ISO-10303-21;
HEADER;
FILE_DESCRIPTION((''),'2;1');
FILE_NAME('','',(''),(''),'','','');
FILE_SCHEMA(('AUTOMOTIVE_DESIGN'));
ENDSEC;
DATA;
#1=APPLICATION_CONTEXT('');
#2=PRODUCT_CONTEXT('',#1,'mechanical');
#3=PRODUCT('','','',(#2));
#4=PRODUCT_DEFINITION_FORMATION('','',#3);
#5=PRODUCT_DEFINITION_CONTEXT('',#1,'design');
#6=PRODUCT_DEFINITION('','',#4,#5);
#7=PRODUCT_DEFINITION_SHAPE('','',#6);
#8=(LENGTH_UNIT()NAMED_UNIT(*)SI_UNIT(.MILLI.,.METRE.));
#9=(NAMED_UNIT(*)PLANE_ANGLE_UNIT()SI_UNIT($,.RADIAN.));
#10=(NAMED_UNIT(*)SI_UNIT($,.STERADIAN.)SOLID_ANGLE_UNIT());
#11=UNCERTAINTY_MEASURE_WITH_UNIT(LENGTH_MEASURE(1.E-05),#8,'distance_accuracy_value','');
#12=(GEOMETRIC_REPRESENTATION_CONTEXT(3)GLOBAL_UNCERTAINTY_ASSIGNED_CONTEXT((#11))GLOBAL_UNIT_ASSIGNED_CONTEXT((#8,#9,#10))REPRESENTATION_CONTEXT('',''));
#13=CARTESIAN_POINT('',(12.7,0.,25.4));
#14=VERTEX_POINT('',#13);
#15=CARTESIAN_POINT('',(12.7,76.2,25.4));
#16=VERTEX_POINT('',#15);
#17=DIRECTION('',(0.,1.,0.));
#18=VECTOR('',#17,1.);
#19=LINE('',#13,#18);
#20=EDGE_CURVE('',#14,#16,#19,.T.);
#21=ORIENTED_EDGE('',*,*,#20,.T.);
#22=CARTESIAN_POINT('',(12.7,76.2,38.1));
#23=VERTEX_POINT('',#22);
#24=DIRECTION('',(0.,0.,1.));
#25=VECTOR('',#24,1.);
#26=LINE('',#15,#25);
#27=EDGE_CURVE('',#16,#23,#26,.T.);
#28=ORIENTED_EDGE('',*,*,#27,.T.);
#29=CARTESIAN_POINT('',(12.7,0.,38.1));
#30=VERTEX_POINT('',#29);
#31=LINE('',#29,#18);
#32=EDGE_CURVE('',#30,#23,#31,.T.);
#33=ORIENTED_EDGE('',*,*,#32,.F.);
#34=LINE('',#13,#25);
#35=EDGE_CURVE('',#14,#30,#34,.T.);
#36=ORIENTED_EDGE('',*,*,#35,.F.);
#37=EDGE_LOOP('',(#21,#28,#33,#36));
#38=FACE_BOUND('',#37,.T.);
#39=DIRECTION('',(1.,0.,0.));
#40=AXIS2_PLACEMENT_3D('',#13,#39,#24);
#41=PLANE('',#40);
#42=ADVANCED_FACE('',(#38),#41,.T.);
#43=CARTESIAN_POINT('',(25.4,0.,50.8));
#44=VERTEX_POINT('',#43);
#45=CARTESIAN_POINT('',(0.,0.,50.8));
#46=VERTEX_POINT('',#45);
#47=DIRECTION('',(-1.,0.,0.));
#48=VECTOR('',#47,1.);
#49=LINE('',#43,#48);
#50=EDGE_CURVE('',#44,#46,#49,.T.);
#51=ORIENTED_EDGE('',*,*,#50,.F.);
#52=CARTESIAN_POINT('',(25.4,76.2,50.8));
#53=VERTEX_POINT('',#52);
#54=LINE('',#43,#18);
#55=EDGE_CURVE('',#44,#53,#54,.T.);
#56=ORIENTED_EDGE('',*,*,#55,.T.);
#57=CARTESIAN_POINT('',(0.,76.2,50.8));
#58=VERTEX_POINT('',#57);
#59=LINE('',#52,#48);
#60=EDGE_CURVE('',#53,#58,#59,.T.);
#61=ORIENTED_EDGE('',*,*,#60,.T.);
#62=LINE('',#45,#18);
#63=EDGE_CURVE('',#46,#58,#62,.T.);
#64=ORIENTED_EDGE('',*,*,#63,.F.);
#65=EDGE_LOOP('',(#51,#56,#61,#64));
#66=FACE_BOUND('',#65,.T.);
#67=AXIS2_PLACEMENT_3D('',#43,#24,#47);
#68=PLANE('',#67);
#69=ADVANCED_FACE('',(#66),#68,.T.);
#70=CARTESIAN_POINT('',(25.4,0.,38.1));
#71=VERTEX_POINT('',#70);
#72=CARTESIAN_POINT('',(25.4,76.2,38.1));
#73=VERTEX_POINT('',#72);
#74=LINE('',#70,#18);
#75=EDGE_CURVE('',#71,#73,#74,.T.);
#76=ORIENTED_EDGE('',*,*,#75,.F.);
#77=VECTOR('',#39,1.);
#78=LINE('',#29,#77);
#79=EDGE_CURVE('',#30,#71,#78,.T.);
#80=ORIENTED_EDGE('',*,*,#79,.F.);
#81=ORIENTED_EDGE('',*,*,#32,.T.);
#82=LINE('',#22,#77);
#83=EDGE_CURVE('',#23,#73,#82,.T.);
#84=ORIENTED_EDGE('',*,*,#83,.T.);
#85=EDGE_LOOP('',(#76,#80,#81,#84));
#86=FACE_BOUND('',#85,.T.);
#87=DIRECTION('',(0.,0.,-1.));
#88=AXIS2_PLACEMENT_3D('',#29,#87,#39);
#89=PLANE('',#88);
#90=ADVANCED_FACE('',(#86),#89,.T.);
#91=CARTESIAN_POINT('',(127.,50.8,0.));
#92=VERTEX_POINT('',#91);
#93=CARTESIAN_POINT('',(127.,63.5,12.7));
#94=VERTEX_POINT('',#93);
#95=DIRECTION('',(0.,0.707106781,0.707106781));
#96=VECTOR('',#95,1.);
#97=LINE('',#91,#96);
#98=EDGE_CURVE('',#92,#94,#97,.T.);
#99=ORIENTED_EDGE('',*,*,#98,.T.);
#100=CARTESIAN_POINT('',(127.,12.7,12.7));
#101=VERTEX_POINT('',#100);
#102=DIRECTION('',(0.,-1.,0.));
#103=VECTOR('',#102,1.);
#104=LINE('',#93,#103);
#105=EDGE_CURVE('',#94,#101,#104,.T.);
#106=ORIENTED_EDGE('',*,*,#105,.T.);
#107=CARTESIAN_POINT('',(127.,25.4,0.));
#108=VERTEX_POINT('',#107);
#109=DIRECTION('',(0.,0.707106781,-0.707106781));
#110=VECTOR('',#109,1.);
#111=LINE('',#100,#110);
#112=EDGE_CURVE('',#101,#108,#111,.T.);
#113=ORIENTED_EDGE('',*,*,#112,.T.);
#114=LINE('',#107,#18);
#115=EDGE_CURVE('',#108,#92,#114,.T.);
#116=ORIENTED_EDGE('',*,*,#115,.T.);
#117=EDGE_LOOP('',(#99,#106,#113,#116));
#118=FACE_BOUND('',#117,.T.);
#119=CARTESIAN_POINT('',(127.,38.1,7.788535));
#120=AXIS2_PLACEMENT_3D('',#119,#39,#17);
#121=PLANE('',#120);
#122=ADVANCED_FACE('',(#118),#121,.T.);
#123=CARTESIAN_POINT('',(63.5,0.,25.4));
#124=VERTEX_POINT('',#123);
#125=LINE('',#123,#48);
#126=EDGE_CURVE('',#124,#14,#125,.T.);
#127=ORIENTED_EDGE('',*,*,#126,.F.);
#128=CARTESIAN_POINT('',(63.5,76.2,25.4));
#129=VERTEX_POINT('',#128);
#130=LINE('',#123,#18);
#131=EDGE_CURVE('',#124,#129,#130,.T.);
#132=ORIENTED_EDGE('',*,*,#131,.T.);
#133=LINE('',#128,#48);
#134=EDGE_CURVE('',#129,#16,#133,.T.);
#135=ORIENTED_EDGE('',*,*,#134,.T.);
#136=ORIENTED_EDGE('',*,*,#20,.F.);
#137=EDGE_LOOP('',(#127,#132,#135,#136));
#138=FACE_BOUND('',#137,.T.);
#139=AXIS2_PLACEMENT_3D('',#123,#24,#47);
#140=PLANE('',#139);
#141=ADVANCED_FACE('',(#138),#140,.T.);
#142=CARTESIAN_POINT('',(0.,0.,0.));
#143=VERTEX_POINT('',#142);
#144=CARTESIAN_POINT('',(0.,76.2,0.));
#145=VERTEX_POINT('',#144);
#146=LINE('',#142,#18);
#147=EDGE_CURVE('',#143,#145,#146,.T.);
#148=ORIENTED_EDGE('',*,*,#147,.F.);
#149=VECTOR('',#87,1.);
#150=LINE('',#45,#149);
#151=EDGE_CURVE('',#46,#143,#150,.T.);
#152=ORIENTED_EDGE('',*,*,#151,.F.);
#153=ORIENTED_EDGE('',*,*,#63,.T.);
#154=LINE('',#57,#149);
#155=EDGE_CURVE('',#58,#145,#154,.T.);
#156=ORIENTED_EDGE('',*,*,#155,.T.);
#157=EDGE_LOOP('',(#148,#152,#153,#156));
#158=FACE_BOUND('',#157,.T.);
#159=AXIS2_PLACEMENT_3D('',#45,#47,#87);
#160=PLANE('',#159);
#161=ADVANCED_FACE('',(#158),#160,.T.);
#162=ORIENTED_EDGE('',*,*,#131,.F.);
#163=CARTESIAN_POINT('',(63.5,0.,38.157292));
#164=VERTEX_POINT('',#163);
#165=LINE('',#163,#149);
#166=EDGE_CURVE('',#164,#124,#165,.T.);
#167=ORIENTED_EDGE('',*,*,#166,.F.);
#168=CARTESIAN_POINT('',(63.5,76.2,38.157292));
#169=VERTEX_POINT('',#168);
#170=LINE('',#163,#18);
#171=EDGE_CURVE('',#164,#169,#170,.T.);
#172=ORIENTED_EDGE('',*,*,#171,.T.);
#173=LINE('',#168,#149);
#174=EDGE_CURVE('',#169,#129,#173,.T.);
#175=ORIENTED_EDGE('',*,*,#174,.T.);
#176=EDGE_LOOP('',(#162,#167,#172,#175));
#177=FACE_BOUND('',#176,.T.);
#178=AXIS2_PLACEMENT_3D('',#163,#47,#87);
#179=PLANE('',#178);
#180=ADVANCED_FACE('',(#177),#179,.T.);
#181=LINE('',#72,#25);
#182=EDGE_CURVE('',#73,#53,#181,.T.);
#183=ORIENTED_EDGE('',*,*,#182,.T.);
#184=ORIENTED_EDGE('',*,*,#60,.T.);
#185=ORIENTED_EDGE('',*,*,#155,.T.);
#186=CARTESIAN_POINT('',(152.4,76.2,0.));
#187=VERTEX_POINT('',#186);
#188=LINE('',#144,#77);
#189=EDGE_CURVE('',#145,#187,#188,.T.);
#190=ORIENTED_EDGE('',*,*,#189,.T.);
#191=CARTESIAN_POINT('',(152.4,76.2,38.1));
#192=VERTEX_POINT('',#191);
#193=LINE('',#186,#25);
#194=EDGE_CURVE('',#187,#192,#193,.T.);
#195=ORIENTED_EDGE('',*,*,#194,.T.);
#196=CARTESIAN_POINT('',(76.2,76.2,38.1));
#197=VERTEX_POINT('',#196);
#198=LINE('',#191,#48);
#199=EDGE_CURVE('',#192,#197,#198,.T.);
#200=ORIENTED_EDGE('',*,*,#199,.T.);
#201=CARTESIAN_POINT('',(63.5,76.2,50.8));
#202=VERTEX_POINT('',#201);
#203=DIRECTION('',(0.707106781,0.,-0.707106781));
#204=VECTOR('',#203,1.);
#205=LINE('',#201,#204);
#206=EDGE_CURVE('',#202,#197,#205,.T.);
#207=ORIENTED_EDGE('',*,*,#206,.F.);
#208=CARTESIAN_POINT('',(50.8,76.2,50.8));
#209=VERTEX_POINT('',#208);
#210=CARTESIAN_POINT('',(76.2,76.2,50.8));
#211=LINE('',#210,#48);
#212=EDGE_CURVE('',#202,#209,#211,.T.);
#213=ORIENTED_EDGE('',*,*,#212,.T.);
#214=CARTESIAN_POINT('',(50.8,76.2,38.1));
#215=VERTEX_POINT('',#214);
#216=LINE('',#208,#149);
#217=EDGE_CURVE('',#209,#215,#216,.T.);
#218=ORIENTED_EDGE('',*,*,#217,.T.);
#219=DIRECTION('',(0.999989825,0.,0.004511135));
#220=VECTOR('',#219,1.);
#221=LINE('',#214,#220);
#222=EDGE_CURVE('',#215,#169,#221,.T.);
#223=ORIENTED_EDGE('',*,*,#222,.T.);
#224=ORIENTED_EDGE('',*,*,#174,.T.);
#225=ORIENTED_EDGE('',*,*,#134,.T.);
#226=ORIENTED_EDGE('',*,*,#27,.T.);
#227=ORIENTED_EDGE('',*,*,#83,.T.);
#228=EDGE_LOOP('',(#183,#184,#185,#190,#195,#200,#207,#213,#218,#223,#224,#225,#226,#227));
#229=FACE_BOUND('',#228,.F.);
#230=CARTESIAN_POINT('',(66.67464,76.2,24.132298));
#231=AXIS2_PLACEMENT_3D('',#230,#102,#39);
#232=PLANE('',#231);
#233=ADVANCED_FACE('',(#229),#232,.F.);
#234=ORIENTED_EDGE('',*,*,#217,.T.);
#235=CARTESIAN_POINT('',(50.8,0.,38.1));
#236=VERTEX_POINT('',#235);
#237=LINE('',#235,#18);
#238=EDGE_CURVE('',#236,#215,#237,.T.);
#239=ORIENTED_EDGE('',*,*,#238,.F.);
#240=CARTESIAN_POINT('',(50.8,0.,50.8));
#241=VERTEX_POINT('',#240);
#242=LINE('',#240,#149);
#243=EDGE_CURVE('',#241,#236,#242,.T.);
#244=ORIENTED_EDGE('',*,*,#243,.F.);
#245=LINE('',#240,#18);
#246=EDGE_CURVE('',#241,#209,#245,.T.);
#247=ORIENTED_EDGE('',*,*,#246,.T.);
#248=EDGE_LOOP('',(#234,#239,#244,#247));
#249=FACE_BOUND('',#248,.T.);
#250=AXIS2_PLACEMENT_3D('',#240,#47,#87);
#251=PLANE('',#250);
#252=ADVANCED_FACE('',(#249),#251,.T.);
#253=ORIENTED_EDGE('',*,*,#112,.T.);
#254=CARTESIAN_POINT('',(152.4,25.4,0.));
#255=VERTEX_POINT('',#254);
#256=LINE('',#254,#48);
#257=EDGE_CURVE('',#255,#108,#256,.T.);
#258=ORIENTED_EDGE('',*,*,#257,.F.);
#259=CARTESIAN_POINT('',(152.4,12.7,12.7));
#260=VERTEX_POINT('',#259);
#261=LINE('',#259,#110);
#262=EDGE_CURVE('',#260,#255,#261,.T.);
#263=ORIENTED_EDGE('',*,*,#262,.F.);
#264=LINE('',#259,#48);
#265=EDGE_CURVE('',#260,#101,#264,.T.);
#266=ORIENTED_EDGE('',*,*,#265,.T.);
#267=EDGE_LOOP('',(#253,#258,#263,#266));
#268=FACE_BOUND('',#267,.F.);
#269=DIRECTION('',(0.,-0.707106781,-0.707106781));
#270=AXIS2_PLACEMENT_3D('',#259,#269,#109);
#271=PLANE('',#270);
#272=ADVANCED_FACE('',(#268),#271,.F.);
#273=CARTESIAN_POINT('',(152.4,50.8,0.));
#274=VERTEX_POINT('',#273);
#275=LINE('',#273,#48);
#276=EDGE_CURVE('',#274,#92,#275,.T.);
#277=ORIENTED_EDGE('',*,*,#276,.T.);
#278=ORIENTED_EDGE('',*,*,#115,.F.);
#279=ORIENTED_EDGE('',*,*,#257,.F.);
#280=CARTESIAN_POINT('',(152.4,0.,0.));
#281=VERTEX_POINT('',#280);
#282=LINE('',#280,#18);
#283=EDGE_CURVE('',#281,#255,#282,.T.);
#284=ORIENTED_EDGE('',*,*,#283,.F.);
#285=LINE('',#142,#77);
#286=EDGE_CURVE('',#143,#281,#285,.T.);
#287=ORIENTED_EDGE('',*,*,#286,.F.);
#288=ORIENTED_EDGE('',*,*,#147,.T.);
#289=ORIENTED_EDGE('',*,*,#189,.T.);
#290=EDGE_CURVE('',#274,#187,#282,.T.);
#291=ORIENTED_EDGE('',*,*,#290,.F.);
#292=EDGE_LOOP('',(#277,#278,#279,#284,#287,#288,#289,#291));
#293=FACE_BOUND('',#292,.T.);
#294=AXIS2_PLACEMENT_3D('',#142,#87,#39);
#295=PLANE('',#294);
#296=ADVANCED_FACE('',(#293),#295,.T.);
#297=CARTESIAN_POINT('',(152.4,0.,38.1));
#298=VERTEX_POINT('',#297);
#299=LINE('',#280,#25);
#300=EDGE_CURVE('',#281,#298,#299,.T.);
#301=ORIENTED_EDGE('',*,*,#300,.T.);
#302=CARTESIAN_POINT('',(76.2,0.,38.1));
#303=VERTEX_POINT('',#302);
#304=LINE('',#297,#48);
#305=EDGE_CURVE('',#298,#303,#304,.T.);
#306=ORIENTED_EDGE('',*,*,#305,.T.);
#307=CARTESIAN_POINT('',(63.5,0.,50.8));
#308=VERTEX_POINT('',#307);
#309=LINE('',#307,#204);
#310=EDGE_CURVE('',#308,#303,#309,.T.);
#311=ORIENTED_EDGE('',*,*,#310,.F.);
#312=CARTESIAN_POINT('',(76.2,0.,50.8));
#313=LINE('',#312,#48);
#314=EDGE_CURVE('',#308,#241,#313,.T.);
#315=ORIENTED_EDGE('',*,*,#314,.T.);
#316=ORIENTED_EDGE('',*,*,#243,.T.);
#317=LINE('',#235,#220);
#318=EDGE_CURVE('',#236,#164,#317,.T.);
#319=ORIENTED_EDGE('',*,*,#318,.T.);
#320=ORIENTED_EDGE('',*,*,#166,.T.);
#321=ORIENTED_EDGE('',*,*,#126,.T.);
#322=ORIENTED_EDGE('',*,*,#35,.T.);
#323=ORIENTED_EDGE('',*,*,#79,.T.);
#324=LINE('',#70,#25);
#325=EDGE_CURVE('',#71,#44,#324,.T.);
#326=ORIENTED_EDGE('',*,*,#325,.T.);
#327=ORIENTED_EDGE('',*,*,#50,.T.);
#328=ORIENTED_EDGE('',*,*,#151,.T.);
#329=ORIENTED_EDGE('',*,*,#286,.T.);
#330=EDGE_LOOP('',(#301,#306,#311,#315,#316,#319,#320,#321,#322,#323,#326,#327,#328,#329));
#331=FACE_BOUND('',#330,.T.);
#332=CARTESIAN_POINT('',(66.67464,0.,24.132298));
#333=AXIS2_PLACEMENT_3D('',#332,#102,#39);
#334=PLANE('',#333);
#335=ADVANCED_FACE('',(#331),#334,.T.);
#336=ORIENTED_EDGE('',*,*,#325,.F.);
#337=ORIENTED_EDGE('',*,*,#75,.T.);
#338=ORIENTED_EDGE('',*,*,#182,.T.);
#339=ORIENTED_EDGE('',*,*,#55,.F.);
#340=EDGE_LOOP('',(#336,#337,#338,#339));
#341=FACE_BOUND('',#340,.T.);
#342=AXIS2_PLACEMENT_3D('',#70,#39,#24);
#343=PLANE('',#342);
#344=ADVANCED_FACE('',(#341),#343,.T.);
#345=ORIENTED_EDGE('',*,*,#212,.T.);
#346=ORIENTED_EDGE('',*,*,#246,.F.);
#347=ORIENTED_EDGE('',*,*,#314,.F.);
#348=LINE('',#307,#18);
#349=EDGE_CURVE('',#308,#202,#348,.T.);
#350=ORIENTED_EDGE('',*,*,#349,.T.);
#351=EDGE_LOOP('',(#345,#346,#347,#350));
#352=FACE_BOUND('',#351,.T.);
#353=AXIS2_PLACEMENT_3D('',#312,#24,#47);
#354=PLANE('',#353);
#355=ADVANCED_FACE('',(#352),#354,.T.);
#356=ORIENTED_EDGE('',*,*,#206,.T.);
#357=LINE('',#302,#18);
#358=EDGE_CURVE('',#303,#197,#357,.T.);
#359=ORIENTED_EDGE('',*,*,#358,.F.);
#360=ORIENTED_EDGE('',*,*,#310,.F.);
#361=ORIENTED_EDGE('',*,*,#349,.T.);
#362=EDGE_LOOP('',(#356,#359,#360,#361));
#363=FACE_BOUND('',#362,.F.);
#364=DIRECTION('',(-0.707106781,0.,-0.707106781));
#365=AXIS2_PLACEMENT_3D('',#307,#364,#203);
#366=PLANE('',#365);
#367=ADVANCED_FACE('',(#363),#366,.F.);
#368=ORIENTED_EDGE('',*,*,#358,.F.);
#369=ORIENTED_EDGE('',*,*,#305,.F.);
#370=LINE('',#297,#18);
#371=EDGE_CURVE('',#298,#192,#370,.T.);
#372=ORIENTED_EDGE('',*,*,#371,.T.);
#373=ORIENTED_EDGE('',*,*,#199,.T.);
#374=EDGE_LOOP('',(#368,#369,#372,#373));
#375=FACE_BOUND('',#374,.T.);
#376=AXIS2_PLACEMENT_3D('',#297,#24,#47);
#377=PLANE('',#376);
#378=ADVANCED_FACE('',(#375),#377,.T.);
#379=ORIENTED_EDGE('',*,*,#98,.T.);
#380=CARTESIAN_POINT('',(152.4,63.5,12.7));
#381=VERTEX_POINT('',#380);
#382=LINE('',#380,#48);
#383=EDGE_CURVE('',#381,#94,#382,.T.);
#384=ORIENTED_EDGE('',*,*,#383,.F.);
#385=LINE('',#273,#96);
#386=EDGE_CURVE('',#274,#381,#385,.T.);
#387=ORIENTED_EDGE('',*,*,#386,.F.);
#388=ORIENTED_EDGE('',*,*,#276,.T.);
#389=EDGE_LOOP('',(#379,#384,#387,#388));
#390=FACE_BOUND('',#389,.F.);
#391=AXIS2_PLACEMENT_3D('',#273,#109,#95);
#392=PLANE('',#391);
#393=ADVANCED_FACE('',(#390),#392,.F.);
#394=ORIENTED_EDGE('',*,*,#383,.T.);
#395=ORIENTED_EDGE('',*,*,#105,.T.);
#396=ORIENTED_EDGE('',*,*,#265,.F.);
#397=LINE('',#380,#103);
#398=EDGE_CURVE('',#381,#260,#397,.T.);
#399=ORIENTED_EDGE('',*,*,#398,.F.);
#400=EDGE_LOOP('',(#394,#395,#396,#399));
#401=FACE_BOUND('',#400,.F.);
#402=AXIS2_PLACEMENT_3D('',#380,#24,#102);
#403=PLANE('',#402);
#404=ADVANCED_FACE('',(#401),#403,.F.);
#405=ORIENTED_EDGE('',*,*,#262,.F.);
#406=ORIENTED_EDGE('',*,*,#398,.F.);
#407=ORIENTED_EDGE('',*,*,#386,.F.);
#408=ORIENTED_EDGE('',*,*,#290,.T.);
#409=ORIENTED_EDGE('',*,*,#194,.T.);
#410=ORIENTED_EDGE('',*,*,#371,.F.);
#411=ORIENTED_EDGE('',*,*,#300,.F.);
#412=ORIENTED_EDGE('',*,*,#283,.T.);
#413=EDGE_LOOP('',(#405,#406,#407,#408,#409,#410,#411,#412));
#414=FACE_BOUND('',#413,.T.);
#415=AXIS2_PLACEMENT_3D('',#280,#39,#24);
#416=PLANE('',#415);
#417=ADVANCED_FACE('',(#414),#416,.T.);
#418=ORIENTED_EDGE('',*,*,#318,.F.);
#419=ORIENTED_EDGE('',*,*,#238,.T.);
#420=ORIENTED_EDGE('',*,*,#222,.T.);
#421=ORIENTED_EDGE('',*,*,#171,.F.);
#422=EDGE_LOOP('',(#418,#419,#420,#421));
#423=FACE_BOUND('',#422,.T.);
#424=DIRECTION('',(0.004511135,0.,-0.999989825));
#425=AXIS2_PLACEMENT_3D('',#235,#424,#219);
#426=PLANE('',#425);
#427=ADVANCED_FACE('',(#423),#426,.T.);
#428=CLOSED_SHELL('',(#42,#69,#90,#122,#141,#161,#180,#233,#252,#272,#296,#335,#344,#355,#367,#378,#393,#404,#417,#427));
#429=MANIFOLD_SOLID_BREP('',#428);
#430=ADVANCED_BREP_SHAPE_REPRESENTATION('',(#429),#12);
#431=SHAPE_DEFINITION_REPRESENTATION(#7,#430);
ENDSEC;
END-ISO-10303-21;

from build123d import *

# Parameters (mm, degrees)
F1_DEPTH = 76.2
F3_DEPTH = 25.4
F5_DEPTH = 76.2


with BuildPart() as f1:
    # F0 (on Front) → F1 (new body)
    with BuildSketch(Plane.XZ):
        Polygon((0, 50.8), (0, 0), (152.4, 0), (152.4, 38.1), (76.2, 38.1), (76.2, 50.8), (50.8, 50.8), (50.8, 38.1), (63.5, 38.157292), (63.5, 25.4), (12.7, 25.4), (12.7, 38.1), (25.4, 38.1), (25.4, 50.8), align=None)
    extrude(amount=-F1_DEPTH)

    # F2 (on face) → F3 (cut)
    with BuildSketch(Plane.YZ.offset(152.4)):
        Polygon((12.7, 12.7), (25.4, 0), (50.8, 0), (63.5, 12.7), align=None)
    extrude(amount=-F3_DEPTH, mode=Mode.SUBTRACT)

    # F4 (on face) → F5 (cut)
    with BuildSketch(Plane.XZ):
        Polygon((76.2, 50.8), (63.5, 50.8), (76.2, 38.1), align=None)
    extrude(amount=-F5_DEPTH, mode=Mode.SUBTRACT)


solid = f1.part
